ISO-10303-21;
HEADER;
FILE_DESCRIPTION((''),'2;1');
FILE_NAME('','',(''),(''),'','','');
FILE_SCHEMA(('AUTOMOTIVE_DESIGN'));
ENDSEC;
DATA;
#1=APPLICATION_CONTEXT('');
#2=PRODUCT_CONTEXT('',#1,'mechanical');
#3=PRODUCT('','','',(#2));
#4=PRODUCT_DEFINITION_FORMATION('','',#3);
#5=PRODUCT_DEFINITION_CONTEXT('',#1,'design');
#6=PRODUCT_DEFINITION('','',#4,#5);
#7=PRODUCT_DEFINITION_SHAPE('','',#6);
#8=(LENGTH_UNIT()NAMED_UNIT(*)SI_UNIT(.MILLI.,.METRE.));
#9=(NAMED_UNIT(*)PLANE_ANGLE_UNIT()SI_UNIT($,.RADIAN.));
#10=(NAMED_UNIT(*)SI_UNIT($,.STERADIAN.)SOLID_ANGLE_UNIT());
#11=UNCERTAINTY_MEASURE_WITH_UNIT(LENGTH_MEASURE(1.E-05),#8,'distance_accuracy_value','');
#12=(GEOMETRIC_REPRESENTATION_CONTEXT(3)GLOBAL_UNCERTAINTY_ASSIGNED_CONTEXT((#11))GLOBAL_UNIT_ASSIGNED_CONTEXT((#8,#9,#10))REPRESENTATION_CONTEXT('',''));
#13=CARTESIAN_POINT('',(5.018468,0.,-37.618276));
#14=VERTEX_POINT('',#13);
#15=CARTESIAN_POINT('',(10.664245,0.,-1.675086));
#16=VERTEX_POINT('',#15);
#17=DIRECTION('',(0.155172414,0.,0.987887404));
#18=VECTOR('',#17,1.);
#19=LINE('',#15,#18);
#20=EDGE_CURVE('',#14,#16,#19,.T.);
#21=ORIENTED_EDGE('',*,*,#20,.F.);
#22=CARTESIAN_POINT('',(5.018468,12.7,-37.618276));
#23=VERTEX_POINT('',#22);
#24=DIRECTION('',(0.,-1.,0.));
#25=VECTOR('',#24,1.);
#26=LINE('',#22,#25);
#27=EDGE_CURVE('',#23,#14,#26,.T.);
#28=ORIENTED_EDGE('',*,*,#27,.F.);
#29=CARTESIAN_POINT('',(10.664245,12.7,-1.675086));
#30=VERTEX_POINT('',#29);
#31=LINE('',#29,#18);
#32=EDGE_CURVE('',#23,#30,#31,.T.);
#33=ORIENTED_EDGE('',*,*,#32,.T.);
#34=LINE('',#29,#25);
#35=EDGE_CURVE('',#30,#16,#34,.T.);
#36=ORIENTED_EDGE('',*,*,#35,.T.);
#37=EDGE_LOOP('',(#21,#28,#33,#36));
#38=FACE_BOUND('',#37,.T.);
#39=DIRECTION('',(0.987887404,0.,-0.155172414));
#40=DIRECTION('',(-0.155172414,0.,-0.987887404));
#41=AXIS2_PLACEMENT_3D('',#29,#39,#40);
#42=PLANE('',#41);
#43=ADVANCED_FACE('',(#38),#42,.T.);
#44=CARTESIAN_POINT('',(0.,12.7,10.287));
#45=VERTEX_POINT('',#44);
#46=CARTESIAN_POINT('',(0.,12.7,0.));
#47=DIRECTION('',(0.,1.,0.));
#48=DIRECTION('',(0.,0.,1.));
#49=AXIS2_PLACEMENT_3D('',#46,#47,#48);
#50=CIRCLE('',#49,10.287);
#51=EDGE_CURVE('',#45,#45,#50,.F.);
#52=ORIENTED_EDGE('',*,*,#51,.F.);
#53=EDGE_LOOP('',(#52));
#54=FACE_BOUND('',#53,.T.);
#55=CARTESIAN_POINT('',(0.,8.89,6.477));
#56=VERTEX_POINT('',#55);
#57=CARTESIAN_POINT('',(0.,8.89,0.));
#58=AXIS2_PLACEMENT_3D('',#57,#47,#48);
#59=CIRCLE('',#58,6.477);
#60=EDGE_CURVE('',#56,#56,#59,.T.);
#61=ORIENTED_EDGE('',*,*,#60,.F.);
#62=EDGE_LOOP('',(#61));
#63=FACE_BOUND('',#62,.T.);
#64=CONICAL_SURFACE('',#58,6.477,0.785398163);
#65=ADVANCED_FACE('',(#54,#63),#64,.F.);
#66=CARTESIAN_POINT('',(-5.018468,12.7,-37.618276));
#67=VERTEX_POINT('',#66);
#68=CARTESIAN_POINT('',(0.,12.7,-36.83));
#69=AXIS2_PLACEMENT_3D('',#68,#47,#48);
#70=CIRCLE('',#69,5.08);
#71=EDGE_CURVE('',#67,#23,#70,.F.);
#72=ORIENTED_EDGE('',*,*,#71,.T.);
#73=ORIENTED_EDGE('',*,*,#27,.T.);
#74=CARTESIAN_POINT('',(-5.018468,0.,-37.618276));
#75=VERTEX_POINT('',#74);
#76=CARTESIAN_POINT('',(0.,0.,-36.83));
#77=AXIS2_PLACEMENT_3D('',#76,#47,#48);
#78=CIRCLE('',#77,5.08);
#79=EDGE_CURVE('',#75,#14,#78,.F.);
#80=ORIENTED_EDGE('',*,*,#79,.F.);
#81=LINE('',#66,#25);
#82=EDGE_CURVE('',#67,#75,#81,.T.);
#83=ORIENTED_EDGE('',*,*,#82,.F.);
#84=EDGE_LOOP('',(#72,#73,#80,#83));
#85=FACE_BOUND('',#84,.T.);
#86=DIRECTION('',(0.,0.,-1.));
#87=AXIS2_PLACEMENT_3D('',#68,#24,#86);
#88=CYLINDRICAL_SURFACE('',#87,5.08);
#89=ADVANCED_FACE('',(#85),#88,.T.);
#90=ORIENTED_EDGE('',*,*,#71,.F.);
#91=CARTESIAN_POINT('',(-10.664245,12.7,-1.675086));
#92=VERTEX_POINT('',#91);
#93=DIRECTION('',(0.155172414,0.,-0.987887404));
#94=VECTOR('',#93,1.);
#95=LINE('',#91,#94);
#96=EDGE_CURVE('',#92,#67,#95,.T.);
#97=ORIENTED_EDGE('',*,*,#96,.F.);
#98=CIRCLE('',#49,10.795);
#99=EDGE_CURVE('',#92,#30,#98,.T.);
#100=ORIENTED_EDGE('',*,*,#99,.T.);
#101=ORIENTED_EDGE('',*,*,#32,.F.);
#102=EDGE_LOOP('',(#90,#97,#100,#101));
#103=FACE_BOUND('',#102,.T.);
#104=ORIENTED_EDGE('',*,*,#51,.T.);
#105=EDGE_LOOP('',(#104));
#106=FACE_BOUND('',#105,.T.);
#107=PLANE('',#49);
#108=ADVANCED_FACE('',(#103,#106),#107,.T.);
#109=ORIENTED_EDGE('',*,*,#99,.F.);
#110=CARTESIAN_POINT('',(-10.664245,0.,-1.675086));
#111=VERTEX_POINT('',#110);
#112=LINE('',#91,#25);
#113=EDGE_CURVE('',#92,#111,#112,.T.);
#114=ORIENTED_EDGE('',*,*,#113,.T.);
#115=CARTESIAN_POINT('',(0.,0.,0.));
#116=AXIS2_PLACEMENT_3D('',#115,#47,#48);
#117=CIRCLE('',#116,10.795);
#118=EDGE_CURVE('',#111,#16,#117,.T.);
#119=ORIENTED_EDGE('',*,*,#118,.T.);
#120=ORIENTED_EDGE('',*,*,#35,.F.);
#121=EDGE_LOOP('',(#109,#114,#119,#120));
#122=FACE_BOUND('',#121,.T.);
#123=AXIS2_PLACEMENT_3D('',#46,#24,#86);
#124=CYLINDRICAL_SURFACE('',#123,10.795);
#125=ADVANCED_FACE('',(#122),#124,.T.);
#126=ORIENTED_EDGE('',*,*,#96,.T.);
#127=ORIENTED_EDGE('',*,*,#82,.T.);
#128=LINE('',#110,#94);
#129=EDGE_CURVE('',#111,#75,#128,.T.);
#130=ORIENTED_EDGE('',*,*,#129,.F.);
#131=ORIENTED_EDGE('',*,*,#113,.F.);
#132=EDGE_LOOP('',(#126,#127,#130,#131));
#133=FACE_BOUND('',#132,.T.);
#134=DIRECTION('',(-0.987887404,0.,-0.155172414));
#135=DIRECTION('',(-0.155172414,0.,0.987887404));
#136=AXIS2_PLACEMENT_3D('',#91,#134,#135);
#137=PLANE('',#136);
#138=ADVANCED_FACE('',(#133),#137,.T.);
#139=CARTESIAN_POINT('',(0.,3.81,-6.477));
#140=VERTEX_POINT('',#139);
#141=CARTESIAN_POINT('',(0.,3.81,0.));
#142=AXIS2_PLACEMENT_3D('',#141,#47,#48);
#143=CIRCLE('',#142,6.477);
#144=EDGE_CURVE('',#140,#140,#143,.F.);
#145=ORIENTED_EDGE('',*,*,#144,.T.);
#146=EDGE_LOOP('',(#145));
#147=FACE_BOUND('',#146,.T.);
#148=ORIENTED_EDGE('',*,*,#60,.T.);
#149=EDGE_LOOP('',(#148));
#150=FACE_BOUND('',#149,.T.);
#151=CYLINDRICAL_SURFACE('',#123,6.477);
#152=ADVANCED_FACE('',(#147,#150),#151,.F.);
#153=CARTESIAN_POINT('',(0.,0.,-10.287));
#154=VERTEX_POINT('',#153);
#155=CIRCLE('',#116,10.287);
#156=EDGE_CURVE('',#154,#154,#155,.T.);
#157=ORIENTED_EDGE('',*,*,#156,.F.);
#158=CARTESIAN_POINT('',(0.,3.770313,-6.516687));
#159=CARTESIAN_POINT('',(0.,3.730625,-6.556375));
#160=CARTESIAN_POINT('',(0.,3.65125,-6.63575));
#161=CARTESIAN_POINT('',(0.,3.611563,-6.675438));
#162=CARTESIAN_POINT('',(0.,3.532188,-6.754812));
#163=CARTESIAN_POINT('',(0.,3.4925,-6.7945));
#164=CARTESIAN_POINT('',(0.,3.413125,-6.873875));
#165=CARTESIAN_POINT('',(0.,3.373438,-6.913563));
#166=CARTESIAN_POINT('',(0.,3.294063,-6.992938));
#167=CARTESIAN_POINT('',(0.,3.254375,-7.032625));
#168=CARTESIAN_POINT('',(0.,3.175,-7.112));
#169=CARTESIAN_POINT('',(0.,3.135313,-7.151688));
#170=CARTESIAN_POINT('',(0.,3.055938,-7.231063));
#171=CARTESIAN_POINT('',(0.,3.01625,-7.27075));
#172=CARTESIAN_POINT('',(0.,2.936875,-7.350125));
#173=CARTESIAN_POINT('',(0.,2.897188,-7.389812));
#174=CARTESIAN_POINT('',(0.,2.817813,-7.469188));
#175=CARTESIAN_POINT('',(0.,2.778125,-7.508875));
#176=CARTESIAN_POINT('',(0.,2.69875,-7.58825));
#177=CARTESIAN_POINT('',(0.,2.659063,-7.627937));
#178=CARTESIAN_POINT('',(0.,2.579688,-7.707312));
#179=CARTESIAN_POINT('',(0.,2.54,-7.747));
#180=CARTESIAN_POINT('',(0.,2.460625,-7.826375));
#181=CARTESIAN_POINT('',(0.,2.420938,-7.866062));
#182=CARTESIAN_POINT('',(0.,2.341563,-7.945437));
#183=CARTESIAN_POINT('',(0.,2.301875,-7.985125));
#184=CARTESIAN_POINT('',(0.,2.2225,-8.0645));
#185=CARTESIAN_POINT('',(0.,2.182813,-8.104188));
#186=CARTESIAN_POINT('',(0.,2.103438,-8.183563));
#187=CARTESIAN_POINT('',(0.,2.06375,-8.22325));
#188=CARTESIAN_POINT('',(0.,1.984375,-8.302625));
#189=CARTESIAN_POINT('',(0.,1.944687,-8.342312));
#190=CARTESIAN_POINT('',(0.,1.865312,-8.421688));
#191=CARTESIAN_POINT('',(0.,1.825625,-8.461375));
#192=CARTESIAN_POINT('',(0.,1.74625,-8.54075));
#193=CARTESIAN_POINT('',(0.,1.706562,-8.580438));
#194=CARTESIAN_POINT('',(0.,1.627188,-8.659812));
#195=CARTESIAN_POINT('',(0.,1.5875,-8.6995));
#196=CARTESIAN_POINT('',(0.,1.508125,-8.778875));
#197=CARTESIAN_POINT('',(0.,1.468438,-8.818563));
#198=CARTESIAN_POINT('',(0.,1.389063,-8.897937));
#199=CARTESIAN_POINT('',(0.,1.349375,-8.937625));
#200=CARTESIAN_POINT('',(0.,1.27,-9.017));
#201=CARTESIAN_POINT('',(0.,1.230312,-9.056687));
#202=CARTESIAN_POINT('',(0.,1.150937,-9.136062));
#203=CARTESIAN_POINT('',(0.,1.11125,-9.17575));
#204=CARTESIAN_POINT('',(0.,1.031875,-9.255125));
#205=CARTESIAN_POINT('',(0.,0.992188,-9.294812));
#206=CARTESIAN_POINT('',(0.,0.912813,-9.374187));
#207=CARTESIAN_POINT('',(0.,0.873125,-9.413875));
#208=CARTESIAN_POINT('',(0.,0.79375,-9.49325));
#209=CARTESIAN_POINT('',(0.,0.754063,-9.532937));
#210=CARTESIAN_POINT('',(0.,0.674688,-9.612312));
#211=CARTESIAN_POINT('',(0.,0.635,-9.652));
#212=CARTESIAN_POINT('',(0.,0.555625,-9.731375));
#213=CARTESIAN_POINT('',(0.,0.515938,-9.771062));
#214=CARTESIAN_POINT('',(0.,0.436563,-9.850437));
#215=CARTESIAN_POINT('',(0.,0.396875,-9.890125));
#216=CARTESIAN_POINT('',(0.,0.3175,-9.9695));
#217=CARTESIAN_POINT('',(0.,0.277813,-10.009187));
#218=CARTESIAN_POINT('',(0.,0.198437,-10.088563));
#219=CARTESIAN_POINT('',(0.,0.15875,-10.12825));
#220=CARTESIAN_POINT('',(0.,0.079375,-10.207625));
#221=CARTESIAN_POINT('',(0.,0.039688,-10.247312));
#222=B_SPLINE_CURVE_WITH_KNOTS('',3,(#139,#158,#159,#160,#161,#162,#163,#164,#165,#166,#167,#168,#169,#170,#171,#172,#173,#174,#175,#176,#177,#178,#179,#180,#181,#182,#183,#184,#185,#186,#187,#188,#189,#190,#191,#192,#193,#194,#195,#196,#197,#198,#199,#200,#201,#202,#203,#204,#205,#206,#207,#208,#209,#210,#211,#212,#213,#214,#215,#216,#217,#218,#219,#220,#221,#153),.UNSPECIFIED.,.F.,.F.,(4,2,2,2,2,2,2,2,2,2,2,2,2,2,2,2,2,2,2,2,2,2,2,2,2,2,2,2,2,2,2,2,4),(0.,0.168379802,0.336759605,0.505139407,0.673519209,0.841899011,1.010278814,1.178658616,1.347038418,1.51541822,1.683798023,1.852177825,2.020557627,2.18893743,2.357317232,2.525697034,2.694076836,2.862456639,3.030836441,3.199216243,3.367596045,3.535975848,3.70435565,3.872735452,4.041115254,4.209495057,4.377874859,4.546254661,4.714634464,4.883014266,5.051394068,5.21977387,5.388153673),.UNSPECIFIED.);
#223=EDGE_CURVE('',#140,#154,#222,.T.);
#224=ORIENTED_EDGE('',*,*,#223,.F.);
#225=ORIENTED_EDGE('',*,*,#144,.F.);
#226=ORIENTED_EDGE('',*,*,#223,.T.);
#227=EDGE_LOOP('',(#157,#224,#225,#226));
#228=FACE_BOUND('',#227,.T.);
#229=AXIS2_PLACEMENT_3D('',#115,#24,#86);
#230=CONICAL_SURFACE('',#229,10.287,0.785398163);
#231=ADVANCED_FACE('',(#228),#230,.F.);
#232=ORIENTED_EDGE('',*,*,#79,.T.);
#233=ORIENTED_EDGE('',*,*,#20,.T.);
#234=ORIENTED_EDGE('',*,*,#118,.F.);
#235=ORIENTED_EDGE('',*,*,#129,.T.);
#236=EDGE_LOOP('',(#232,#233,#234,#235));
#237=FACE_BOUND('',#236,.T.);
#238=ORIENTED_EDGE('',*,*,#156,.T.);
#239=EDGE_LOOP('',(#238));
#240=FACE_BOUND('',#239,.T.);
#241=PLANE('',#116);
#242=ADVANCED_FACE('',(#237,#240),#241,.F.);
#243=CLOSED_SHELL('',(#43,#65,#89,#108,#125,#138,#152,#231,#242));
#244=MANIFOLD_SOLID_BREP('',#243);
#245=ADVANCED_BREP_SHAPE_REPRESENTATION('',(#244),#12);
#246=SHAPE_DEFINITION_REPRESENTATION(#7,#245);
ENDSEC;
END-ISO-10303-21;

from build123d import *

# Parameters (mm, degrees)
SKETCH1_R           = 10.795
SKETCH1_R_2         = 6.477
BOSS_EXTRUDE1_DEPTH = 12.7
CHAMFER1_SIZE       = 3.81


with BuildPart() as part:
    # Sketch1 → Boss-Extrude1 (new body)
    # profile 1 of 2: a face of its own
    with BuildSketch(Plane(origin=(0, 0, 0), x_dir=(1, 0, 0), z_dir=(0, 1, 0))):
        with BuildLine():
            Line((-5.01846801, 37.618275862), (-10.664244521, 1.675086207))
            ThreePointArc((-10.664244521, 1.675086207), (0, 10.795), (10.664244521, 1.675086207))
            Line((10.664244521, 1.675086207), (5.01846801, 37.618275862))
            ThreePointArc((5.01846801, 37.618275862), (0, 41.91), (-5.01846801, 37.618275862))
        make_face()
    # profile 2 of 2: a face of its own
    with BuildSketch(Plane(origin=(0, 0, 0), x_dir=(1, 0, 0), z_dir=(0, 1, 0))):
        Circle(SKETCH1_R)
        with Locations(Location((0, 0, 0), (0, 0, 270))):
            Circle(SKETCH1_R_2, mode=Mode.SUBTRACT)
    extrude(amount=BOSS_EXTRUDE1_DEPTH)

    # Chamfer1
    chamfer1_edges = [part.edges().sort_by_distance(p)[0] for p in [
        (0, 12.7, -6.477),
        (0, 0, -6.477),
    ]]
    chamfer(chamfer1_edges, length=CHAMFER1_SIZE)


solid = part.part
